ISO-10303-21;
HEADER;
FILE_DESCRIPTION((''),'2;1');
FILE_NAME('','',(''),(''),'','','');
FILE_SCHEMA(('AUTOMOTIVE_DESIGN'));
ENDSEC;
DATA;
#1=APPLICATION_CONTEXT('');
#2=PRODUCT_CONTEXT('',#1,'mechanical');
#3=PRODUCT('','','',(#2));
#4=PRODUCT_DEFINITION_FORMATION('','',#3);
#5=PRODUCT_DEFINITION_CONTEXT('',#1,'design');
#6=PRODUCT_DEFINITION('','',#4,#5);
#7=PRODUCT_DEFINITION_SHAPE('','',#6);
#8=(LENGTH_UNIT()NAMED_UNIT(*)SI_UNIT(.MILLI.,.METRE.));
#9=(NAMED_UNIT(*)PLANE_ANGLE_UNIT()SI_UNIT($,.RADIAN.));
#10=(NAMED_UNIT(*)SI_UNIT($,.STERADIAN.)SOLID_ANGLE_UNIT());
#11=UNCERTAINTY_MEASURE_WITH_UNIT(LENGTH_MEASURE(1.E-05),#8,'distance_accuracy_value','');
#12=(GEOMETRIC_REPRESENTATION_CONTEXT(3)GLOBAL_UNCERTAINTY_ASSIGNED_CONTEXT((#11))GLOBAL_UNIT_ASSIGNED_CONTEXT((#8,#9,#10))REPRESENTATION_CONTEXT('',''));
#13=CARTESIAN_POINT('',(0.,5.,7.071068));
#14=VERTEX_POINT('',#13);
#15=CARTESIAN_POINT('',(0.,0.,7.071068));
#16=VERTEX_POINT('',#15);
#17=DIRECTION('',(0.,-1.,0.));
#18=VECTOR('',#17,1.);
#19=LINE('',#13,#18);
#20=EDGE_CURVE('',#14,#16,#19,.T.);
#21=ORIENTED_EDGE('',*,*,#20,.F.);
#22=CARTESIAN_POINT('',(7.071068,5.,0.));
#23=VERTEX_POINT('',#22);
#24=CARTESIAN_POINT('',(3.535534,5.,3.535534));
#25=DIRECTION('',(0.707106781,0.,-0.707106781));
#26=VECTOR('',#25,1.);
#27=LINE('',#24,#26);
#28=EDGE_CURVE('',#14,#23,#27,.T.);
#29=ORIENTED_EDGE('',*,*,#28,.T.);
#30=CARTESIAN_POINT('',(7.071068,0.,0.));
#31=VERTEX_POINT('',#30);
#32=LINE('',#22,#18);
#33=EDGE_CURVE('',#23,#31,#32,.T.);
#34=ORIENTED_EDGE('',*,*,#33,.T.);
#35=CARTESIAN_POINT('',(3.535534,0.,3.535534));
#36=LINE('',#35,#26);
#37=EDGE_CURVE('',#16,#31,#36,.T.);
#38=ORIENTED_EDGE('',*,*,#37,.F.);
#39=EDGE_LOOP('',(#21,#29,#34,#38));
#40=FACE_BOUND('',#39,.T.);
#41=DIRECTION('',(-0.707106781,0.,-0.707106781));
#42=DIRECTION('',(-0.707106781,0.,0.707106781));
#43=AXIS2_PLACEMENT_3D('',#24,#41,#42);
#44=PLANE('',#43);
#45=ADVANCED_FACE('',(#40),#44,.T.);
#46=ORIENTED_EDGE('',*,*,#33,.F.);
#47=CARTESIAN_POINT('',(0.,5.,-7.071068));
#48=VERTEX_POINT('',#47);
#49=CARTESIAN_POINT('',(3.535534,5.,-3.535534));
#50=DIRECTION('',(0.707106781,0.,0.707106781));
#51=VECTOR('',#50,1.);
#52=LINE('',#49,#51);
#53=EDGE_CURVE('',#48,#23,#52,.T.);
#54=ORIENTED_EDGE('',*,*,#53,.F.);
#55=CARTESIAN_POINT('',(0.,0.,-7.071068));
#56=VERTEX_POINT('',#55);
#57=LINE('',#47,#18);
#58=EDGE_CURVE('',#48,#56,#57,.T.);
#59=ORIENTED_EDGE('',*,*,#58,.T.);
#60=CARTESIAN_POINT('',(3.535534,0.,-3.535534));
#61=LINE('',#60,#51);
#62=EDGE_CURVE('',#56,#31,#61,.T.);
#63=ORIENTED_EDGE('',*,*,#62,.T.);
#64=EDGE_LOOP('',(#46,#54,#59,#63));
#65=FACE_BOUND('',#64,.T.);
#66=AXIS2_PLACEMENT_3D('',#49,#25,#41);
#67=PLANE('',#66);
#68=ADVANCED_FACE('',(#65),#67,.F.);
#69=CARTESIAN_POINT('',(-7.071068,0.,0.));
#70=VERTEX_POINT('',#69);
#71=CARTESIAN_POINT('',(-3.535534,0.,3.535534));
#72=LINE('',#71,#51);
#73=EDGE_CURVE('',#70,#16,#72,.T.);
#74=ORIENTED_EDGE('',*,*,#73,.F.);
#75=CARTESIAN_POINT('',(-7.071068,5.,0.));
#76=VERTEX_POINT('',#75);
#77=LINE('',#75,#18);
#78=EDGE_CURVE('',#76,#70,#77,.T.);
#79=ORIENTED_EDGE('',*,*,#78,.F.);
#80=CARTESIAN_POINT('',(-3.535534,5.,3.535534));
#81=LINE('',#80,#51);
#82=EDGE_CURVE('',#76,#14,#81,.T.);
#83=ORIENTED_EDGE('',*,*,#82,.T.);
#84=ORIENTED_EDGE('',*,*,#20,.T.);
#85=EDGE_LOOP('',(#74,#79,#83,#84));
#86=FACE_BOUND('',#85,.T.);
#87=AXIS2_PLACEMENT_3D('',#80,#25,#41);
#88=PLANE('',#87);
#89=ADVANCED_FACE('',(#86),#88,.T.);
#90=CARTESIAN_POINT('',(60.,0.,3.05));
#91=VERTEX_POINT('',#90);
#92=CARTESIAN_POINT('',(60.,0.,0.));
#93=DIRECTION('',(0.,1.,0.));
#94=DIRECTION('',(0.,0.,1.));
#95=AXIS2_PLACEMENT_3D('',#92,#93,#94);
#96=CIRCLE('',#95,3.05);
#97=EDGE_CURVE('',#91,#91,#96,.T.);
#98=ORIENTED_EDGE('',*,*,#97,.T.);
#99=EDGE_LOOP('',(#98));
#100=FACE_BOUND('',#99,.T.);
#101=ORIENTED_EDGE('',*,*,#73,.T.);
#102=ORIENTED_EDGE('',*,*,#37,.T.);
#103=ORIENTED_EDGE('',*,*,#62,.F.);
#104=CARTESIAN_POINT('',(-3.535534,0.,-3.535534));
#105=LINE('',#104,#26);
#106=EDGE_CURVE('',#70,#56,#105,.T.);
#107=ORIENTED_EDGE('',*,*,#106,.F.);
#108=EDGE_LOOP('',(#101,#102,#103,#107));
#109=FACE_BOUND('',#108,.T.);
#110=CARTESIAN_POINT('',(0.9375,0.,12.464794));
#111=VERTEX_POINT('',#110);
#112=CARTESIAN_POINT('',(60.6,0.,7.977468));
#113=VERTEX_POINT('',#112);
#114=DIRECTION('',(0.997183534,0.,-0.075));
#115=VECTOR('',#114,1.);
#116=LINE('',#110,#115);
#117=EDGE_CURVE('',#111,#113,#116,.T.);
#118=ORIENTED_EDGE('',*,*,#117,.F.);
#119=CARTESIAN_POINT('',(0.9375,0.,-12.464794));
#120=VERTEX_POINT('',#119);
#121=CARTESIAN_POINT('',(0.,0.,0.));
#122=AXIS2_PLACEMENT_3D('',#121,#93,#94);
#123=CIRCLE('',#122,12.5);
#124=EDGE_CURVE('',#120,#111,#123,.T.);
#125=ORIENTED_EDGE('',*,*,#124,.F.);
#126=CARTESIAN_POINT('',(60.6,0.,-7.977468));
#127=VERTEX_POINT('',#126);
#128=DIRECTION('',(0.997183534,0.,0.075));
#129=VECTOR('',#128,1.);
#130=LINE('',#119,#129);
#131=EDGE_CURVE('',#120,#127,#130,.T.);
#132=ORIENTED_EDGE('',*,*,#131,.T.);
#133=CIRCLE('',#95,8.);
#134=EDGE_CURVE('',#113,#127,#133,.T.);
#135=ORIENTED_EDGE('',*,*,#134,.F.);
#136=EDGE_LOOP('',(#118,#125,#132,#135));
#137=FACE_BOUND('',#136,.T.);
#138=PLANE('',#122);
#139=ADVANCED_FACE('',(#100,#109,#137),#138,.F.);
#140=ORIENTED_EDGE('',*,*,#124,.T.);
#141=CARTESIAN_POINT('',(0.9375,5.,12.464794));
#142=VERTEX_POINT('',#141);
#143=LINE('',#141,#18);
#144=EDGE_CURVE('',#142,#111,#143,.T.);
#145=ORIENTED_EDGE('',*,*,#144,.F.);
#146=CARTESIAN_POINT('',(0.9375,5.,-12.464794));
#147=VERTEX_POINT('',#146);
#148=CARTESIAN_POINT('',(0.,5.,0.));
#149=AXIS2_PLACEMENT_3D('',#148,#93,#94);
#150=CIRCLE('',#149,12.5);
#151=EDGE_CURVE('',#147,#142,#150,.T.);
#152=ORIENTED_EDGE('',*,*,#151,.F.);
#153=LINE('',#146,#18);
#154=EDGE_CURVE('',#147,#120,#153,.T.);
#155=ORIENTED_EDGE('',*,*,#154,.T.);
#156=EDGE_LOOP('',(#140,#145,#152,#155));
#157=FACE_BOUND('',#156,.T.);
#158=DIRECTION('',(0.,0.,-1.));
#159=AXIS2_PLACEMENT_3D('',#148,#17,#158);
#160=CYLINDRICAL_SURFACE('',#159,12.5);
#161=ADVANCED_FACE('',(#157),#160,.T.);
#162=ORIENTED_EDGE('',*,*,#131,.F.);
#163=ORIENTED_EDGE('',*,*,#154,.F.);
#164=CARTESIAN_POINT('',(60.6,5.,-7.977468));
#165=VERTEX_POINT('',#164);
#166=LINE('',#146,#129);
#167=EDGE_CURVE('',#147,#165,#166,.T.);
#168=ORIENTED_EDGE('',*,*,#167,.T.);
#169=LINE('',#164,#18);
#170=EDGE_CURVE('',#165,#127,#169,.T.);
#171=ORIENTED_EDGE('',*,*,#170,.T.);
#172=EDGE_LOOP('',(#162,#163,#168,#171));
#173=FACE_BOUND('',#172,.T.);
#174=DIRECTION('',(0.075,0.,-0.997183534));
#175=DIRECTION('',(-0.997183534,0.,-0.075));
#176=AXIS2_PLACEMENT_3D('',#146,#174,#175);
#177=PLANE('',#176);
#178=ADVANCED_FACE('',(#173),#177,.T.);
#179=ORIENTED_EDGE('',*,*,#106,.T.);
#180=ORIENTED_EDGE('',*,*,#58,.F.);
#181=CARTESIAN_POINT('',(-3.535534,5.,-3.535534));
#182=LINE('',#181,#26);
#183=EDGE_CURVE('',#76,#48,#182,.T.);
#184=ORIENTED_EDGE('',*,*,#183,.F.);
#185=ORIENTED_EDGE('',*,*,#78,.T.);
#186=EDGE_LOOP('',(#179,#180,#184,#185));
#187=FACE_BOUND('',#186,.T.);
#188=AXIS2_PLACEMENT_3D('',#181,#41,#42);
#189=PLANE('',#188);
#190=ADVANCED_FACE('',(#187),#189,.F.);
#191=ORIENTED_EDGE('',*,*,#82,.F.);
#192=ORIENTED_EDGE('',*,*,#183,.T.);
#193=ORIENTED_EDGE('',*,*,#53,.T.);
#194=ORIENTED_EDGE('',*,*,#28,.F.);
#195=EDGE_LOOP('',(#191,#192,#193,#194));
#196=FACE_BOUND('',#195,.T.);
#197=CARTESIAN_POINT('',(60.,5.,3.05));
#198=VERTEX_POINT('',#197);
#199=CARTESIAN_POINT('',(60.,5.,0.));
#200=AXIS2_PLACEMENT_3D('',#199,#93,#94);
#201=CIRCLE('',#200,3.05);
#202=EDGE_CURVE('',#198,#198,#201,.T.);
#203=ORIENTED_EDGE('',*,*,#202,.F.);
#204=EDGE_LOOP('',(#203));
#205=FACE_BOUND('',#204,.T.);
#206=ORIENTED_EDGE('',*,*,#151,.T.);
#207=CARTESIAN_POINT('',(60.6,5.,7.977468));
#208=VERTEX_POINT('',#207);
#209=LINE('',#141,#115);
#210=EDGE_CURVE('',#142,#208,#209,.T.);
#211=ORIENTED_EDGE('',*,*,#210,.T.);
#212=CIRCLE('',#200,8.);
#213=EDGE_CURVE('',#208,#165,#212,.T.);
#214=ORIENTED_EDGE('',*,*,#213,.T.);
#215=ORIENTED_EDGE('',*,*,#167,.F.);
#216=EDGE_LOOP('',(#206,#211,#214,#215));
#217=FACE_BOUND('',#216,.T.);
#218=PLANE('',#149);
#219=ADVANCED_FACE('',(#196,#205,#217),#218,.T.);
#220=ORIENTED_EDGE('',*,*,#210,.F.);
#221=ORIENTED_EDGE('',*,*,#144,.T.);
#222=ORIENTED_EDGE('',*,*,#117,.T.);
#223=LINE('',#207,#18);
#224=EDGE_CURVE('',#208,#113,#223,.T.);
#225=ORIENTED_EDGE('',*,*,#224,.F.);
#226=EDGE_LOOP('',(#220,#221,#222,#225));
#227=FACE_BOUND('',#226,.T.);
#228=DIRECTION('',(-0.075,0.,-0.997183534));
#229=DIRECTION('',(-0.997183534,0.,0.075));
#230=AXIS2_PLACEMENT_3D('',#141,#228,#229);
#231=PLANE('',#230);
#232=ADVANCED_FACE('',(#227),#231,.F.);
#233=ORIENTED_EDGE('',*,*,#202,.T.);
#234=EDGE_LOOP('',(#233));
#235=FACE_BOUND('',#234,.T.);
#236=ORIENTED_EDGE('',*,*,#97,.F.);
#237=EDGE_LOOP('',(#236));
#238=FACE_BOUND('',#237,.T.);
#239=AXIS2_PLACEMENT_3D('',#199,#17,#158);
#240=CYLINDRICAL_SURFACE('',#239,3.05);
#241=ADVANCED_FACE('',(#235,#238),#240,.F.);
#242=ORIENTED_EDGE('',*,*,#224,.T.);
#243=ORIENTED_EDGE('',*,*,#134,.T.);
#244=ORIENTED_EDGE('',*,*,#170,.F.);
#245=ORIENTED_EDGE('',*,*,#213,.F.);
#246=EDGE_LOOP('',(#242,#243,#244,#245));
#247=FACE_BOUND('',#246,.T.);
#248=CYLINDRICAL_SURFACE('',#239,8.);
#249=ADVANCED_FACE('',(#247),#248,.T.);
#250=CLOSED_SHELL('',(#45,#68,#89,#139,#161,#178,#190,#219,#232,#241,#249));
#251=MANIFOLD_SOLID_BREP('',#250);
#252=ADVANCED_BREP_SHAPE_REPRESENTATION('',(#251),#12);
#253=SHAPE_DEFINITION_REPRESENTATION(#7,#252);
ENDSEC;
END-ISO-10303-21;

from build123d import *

# Parameters (mm, degrees)
SKETCH_1_R      = 12.5
SKETCH_1_R_2    = 8
SKETCH_1_R_3    = 3.05
EXTRUDE_1_DEPTH = 5


with BuildPart() as part:
    # 草图1 → 凸台-拉伸1 (new body)
    # profile 1 of 3: a face of its own
    with BuildSketch(Plane(origin=(0, 0, 0), x_dir=(1, 0, 0), z_dir=(0, 1, 0))):
        with BuildLine():
            ThreePointArc((12.5, 0), (9.164298937, -8.500919068), (0.9375, -12.464794172))
            Line((0.9375, -12.464794172), (60.6, -7.97746827))
            ThreePointArc((60.6, -7.97746827), (52, 0), (60.6, 7.97746827))
            Line((60.6, 7.97746827), (0.9375, 12.464794172))
            ThreePointArc((0.9375, 12.464794172), (9.164298937, 8.500919068), (12.5, 0))
        make_face()
    # profile 2 of 3: a face of its own
    with BuildSketch(Plane(origin=(0, 0, 0), x_dir=(1, 0, 0), z_dir=(0, 1, 0))):
        Circle(SKETCH_1_R)
        Polygon((0, -7.071067812), (7.071067812, 0), (0, 7.071067812), (-7.071067812, 0), align=None, mode=Mode.SUBTRACT)
    # profile 3 of 3: a face of its own
    with BuildSketch(Plane(origin=(0, 0, 0), x_dir=(1, 0, 0), z_dir=(0, 1, 0))):
        with Locations((60, 0)):
            Circle(SKETCH_1_R_2)
        with Locations(Location((60, 0, 0), (0, 0, 270))):
            Circle(SKETCH_1_R_3, mode=Mode.SUBTRACT)
    extrude(amount=EXTRUDE_1_DEPTH)


solid = part.part
